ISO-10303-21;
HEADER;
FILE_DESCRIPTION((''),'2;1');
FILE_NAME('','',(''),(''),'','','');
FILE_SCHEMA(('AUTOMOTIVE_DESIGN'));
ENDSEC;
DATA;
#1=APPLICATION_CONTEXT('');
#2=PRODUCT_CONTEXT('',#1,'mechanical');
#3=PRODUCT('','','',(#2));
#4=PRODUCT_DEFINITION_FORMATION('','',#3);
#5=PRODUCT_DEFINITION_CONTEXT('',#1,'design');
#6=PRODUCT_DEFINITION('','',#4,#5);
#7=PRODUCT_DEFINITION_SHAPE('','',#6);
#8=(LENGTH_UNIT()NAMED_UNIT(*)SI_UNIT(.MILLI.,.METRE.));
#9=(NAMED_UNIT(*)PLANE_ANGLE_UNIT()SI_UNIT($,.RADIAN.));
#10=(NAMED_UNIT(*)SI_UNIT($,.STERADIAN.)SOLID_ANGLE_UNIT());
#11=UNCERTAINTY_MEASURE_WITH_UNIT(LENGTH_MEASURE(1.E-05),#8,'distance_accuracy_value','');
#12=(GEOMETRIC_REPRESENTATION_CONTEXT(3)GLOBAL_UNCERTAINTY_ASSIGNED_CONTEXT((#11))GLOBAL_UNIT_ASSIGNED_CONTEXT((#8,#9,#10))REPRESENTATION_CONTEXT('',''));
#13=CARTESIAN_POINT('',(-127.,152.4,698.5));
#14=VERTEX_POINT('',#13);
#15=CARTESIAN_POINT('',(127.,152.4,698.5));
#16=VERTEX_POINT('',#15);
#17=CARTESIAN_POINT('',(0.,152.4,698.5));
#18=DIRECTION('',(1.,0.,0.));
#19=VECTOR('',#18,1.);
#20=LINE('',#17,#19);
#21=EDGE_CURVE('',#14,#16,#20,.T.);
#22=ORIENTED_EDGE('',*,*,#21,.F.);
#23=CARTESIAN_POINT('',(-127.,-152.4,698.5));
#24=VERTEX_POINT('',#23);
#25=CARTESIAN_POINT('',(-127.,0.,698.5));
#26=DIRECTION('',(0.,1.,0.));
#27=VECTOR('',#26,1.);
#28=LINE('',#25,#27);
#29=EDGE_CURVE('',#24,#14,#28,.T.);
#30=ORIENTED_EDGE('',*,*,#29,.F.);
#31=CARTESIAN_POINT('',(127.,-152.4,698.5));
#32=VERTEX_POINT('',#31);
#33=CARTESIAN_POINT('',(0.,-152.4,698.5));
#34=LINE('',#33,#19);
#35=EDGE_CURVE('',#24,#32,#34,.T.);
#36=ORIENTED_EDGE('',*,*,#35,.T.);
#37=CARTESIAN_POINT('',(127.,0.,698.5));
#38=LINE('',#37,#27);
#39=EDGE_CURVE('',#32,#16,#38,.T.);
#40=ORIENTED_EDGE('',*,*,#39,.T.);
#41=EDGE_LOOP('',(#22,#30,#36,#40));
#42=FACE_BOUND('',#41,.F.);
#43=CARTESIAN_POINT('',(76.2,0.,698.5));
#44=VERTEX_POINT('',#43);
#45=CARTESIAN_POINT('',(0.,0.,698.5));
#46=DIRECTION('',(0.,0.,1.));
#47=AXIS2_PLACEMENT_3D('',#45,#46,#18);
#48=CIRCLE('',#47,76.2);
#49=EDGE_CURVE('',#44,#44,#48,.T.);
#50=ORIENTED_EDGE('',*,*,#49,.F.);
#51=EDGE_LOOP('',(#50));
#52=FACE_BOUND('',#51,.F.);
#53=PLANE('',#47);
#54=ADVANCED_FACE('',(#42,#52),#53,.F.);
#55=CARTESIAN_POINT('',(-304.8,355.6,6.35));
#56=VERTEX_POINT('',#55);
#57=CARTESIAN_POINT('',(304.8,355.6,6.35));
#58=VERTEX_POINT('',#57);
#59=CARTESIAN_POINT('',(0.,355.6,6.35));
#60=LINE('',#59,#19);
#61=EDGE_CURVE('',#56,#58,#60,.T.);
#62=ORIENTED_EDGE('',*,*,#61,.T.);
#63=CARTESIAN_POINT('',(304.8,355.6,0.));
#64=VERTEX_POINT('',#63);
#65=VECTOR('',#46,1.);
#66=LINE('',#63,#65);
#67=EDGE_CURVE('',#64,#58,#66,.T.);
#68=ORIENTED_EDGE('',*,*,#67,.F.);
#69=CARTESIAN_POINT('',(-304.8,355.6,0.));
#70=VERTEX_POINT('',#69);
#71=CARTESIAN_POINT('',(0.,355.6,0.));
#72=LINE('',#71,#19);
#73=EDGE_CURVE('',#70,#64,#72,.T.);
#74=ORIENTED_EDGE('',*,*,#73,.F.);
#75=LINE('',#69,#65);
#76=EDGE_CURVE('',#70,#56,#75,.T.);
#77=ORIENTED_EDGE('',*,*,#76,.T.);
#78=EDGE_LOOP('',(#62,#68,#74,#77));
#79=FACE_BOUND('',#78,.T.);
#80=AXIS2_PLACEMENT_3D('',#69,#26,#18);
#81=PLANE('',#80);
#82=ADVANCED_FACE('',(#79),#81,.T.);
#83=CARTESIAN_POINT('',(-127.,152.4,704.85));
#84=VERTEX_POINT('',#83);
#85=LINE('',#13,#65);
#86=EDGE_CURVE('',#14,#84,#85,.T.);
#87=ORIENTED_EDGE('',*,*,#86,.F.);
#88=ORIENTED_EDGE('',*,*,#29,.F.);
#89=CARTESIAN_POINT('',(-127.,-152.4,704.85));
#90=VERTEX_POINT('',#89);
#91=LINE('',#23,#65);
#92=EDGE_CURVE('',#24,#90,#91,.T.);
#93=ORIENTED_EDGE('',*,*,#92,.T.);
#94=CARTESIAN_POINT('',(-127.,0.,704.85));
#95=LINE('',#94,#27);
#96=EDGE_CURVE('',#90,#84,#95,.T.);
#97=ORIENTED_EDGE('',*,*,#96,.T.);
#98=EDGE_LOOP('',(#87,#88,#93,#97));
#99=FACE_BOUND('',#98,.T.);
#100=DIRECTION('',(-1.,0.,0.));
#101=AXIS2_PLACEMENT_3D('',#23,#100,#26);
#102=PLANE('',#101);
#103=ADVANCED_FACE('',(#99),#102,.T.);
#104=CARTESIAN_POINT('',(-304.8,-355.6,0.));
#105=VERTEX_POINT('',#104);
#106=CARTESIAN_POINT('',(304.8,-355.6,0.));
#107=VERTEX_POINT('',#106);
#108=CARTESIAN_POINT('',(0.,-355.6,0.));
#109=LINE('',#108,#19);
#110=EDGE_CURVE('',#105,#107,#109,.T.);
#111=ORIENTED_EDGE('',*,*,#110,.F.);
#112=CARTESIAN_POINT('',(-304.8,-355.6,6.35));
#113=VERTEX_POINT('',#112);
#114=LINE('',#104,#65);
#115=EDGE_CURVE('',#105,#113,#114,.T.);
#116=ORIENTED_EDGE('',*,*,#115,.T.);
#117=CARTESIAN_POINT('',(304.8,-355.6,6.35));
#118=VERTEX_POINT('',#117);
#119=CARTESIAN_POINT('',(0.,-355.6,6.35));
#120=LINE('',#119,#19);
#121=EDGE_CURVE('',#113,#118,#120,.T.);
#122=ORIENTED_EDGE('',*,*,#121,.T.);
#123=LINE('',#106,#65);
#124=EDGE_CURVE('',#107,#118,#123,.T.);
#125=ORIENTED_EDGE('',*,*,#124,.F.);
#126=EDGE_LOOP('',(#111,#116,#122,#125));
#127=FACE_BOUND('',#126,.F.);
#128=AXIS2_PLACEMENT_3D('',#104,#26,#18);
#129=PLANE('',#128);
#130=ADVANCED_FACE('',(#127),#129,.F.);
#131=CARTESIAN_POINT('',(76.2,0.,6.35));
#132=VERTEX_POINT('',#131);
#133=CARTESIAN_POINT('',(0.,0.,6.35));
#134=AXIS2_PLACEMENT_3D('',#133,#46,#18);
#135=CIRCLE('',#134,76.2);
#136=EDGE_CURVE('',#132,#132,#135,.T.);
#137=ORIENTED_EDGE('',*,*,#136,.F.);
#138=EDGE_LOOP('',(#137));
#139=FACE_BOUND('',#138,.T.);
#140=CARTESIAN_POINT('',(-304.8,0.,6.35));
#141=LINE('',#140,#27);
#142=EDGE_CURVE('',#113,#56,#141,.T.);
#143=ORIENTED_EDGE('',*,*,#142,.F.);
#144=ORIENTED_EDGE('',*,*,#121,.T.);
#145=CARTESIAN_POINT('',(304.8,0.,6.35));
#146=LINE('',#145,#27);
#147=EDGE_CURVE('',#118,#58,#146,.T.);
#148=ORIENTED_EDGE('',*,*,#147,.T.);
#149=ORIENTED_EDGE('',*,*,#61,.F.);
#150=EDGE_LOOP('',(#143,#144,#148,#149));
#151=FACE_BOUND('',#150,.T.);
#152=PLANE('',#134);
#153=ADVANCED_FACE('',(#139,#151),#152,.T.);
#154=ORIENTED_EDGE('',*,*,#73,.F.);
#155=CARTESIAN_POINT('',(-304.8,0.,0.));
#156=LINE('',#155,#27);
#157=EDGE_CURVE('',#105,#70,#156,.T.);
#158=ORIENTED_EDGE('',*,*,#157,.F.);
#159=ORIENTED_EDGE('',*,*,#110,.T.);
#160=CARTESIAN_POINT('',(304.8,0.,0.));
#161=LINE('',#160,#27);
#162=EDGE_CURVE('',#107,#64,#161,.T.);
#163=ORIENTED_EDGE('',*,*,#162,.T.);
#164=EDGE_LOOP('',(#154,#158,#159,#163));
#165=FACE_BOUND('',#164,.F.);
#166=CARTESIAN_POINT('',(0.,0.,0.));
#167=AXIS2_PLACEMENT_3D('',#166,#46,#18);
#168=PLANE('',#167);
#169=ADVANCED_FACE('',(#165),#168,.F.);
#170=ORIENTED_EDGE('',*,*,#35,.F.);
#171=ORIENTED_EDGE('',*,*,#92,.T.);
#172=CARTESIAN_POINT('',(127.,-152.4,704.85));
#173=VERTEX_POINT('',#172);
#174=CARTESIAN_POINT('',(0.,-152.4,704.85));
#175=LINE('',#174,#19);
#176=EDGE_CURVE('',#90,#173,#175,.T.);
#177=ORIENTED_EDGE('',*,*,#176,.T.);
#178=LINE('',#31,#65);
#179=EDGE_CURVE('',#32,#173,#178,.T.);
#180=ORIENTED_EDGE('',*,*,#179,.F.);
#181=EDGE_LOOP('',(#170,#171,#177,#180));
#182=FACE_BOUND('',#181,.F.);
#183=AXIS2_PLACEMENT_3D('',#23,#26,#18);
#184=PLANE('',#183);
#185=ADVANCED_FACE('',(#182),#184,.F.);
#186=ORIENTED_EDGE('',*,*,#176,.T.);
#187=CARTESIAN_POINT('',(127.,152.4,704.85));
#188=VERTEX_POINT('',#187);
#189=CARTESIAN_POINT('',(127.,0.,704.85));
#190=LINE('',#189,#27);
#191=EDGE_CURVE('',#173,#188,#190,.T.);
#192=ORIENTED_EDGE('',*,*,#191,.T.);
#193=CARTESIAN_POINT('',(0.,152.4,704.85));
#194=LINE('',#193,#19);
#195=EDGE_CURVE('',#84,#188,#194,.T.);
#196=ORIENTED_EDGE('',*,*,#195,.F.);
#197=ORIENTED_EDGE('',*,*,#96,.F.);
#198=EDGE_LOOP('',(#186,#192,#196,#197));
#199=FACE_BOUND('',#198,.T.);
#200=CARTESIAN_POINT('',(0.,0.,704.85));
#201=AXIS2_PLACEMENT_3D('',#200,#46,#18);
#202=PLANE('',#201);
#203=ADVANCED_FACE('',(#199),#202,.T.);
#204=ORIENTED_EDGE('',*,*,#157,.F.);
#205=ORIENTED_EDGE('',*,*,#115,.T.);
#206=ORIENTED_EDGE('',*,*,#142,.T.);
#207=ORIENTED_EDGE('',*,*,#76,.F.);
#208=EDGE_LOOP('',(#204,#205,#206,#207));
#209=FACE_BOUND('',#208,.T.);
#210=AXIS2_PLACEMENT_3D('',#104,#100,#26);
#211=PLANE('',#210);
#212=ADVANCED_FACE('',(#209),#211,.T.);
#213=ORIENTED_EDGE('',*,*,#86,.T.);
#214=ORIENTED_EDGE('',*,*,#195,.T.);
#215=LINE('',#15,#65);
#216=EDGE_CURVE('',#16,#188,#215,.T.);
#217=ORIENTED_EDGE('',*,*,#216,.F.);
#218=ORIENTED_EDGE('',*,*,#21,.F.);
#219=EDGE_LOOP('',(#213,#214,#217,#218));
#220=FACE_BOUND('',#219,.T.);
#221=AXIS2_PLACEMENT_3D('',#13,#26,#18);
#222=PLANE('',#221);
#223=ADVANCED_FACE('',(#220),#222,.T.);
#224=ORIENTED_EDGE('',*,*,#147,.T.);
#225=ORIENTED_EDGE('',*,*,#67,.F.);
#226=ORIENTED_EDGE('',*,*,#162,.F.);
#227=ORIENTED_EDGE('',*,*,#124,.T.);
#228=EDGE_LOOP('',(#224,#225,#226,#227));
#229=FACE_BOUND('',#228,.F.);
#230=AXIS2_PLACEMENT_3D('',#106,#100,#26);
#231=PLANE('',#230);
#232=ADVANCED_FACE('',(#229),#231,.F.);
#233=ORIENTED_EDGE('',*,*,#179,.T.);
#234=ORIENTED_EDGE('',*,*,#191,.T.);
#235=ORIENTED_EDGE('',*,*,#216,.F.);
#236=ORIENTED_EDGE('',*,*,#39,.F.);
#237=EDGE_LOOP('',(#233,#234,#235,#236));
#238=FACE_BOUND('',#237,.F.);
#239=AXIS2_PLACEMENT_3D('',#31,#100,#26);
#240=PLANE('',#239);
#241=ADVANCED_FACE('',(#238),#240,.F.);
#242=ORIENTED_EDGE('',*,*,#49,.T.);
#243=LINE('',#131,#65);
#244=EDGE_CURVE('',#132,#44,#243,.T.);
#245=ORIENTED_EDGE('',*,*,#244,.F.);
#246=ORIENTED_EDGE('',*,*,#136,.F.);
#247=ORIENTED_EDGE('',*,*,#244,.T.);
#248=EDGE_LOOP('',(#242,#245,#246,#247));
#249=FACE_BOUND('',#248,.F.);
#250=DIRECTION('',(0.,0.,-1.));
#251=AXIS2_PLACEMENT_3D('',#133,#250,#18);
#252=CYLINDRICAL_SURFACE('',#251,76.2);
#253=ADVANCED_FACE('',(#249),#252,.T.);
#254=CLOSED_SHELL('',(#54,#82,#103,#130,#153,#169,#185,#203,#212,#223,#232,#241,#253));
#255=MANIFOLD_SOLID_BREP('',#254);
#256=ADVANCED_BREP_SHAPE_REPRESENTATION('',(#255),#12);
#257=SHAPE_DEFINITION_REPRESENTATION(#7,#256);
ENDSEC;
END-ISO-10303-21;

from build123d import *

# Parameters (mm, degrees)
F0_W     = 609.6
F0_H     = 711.2
F1_DEPTH = 6.35
F2_R     = 76.2
F3_DEPTH = 692.15
F4_W     = 254
F4_H     = 304.8
F4_R     = 76.2
F5_DEPTH = 6.35


with BuildPart() as f1:
    # F0 (on Top) → F1 (new body)
    with BuildSketch(Plane.XY):
        Rectangle(F0_W, F0_H)
    extrude(amount=F1_DEPTH)

    # F2 (on face) → F3 (join)
    with BuildSketch(Plane.XY.offset(6.35)):
        Circle(F2_R)
    extrude(amount=F3_DEPTH)

    # F4 (on face) → F5 (join)
    with BuildSketch(Plane.XY.offset(698.5)):
        Rectangle(F4_W, F4_H)
        Circle(F4_R, mode=Mode.SUBTRACT)
        Circle(F4_R)
    extrude(amount=F5_DEPTH)


solid = f1.part
